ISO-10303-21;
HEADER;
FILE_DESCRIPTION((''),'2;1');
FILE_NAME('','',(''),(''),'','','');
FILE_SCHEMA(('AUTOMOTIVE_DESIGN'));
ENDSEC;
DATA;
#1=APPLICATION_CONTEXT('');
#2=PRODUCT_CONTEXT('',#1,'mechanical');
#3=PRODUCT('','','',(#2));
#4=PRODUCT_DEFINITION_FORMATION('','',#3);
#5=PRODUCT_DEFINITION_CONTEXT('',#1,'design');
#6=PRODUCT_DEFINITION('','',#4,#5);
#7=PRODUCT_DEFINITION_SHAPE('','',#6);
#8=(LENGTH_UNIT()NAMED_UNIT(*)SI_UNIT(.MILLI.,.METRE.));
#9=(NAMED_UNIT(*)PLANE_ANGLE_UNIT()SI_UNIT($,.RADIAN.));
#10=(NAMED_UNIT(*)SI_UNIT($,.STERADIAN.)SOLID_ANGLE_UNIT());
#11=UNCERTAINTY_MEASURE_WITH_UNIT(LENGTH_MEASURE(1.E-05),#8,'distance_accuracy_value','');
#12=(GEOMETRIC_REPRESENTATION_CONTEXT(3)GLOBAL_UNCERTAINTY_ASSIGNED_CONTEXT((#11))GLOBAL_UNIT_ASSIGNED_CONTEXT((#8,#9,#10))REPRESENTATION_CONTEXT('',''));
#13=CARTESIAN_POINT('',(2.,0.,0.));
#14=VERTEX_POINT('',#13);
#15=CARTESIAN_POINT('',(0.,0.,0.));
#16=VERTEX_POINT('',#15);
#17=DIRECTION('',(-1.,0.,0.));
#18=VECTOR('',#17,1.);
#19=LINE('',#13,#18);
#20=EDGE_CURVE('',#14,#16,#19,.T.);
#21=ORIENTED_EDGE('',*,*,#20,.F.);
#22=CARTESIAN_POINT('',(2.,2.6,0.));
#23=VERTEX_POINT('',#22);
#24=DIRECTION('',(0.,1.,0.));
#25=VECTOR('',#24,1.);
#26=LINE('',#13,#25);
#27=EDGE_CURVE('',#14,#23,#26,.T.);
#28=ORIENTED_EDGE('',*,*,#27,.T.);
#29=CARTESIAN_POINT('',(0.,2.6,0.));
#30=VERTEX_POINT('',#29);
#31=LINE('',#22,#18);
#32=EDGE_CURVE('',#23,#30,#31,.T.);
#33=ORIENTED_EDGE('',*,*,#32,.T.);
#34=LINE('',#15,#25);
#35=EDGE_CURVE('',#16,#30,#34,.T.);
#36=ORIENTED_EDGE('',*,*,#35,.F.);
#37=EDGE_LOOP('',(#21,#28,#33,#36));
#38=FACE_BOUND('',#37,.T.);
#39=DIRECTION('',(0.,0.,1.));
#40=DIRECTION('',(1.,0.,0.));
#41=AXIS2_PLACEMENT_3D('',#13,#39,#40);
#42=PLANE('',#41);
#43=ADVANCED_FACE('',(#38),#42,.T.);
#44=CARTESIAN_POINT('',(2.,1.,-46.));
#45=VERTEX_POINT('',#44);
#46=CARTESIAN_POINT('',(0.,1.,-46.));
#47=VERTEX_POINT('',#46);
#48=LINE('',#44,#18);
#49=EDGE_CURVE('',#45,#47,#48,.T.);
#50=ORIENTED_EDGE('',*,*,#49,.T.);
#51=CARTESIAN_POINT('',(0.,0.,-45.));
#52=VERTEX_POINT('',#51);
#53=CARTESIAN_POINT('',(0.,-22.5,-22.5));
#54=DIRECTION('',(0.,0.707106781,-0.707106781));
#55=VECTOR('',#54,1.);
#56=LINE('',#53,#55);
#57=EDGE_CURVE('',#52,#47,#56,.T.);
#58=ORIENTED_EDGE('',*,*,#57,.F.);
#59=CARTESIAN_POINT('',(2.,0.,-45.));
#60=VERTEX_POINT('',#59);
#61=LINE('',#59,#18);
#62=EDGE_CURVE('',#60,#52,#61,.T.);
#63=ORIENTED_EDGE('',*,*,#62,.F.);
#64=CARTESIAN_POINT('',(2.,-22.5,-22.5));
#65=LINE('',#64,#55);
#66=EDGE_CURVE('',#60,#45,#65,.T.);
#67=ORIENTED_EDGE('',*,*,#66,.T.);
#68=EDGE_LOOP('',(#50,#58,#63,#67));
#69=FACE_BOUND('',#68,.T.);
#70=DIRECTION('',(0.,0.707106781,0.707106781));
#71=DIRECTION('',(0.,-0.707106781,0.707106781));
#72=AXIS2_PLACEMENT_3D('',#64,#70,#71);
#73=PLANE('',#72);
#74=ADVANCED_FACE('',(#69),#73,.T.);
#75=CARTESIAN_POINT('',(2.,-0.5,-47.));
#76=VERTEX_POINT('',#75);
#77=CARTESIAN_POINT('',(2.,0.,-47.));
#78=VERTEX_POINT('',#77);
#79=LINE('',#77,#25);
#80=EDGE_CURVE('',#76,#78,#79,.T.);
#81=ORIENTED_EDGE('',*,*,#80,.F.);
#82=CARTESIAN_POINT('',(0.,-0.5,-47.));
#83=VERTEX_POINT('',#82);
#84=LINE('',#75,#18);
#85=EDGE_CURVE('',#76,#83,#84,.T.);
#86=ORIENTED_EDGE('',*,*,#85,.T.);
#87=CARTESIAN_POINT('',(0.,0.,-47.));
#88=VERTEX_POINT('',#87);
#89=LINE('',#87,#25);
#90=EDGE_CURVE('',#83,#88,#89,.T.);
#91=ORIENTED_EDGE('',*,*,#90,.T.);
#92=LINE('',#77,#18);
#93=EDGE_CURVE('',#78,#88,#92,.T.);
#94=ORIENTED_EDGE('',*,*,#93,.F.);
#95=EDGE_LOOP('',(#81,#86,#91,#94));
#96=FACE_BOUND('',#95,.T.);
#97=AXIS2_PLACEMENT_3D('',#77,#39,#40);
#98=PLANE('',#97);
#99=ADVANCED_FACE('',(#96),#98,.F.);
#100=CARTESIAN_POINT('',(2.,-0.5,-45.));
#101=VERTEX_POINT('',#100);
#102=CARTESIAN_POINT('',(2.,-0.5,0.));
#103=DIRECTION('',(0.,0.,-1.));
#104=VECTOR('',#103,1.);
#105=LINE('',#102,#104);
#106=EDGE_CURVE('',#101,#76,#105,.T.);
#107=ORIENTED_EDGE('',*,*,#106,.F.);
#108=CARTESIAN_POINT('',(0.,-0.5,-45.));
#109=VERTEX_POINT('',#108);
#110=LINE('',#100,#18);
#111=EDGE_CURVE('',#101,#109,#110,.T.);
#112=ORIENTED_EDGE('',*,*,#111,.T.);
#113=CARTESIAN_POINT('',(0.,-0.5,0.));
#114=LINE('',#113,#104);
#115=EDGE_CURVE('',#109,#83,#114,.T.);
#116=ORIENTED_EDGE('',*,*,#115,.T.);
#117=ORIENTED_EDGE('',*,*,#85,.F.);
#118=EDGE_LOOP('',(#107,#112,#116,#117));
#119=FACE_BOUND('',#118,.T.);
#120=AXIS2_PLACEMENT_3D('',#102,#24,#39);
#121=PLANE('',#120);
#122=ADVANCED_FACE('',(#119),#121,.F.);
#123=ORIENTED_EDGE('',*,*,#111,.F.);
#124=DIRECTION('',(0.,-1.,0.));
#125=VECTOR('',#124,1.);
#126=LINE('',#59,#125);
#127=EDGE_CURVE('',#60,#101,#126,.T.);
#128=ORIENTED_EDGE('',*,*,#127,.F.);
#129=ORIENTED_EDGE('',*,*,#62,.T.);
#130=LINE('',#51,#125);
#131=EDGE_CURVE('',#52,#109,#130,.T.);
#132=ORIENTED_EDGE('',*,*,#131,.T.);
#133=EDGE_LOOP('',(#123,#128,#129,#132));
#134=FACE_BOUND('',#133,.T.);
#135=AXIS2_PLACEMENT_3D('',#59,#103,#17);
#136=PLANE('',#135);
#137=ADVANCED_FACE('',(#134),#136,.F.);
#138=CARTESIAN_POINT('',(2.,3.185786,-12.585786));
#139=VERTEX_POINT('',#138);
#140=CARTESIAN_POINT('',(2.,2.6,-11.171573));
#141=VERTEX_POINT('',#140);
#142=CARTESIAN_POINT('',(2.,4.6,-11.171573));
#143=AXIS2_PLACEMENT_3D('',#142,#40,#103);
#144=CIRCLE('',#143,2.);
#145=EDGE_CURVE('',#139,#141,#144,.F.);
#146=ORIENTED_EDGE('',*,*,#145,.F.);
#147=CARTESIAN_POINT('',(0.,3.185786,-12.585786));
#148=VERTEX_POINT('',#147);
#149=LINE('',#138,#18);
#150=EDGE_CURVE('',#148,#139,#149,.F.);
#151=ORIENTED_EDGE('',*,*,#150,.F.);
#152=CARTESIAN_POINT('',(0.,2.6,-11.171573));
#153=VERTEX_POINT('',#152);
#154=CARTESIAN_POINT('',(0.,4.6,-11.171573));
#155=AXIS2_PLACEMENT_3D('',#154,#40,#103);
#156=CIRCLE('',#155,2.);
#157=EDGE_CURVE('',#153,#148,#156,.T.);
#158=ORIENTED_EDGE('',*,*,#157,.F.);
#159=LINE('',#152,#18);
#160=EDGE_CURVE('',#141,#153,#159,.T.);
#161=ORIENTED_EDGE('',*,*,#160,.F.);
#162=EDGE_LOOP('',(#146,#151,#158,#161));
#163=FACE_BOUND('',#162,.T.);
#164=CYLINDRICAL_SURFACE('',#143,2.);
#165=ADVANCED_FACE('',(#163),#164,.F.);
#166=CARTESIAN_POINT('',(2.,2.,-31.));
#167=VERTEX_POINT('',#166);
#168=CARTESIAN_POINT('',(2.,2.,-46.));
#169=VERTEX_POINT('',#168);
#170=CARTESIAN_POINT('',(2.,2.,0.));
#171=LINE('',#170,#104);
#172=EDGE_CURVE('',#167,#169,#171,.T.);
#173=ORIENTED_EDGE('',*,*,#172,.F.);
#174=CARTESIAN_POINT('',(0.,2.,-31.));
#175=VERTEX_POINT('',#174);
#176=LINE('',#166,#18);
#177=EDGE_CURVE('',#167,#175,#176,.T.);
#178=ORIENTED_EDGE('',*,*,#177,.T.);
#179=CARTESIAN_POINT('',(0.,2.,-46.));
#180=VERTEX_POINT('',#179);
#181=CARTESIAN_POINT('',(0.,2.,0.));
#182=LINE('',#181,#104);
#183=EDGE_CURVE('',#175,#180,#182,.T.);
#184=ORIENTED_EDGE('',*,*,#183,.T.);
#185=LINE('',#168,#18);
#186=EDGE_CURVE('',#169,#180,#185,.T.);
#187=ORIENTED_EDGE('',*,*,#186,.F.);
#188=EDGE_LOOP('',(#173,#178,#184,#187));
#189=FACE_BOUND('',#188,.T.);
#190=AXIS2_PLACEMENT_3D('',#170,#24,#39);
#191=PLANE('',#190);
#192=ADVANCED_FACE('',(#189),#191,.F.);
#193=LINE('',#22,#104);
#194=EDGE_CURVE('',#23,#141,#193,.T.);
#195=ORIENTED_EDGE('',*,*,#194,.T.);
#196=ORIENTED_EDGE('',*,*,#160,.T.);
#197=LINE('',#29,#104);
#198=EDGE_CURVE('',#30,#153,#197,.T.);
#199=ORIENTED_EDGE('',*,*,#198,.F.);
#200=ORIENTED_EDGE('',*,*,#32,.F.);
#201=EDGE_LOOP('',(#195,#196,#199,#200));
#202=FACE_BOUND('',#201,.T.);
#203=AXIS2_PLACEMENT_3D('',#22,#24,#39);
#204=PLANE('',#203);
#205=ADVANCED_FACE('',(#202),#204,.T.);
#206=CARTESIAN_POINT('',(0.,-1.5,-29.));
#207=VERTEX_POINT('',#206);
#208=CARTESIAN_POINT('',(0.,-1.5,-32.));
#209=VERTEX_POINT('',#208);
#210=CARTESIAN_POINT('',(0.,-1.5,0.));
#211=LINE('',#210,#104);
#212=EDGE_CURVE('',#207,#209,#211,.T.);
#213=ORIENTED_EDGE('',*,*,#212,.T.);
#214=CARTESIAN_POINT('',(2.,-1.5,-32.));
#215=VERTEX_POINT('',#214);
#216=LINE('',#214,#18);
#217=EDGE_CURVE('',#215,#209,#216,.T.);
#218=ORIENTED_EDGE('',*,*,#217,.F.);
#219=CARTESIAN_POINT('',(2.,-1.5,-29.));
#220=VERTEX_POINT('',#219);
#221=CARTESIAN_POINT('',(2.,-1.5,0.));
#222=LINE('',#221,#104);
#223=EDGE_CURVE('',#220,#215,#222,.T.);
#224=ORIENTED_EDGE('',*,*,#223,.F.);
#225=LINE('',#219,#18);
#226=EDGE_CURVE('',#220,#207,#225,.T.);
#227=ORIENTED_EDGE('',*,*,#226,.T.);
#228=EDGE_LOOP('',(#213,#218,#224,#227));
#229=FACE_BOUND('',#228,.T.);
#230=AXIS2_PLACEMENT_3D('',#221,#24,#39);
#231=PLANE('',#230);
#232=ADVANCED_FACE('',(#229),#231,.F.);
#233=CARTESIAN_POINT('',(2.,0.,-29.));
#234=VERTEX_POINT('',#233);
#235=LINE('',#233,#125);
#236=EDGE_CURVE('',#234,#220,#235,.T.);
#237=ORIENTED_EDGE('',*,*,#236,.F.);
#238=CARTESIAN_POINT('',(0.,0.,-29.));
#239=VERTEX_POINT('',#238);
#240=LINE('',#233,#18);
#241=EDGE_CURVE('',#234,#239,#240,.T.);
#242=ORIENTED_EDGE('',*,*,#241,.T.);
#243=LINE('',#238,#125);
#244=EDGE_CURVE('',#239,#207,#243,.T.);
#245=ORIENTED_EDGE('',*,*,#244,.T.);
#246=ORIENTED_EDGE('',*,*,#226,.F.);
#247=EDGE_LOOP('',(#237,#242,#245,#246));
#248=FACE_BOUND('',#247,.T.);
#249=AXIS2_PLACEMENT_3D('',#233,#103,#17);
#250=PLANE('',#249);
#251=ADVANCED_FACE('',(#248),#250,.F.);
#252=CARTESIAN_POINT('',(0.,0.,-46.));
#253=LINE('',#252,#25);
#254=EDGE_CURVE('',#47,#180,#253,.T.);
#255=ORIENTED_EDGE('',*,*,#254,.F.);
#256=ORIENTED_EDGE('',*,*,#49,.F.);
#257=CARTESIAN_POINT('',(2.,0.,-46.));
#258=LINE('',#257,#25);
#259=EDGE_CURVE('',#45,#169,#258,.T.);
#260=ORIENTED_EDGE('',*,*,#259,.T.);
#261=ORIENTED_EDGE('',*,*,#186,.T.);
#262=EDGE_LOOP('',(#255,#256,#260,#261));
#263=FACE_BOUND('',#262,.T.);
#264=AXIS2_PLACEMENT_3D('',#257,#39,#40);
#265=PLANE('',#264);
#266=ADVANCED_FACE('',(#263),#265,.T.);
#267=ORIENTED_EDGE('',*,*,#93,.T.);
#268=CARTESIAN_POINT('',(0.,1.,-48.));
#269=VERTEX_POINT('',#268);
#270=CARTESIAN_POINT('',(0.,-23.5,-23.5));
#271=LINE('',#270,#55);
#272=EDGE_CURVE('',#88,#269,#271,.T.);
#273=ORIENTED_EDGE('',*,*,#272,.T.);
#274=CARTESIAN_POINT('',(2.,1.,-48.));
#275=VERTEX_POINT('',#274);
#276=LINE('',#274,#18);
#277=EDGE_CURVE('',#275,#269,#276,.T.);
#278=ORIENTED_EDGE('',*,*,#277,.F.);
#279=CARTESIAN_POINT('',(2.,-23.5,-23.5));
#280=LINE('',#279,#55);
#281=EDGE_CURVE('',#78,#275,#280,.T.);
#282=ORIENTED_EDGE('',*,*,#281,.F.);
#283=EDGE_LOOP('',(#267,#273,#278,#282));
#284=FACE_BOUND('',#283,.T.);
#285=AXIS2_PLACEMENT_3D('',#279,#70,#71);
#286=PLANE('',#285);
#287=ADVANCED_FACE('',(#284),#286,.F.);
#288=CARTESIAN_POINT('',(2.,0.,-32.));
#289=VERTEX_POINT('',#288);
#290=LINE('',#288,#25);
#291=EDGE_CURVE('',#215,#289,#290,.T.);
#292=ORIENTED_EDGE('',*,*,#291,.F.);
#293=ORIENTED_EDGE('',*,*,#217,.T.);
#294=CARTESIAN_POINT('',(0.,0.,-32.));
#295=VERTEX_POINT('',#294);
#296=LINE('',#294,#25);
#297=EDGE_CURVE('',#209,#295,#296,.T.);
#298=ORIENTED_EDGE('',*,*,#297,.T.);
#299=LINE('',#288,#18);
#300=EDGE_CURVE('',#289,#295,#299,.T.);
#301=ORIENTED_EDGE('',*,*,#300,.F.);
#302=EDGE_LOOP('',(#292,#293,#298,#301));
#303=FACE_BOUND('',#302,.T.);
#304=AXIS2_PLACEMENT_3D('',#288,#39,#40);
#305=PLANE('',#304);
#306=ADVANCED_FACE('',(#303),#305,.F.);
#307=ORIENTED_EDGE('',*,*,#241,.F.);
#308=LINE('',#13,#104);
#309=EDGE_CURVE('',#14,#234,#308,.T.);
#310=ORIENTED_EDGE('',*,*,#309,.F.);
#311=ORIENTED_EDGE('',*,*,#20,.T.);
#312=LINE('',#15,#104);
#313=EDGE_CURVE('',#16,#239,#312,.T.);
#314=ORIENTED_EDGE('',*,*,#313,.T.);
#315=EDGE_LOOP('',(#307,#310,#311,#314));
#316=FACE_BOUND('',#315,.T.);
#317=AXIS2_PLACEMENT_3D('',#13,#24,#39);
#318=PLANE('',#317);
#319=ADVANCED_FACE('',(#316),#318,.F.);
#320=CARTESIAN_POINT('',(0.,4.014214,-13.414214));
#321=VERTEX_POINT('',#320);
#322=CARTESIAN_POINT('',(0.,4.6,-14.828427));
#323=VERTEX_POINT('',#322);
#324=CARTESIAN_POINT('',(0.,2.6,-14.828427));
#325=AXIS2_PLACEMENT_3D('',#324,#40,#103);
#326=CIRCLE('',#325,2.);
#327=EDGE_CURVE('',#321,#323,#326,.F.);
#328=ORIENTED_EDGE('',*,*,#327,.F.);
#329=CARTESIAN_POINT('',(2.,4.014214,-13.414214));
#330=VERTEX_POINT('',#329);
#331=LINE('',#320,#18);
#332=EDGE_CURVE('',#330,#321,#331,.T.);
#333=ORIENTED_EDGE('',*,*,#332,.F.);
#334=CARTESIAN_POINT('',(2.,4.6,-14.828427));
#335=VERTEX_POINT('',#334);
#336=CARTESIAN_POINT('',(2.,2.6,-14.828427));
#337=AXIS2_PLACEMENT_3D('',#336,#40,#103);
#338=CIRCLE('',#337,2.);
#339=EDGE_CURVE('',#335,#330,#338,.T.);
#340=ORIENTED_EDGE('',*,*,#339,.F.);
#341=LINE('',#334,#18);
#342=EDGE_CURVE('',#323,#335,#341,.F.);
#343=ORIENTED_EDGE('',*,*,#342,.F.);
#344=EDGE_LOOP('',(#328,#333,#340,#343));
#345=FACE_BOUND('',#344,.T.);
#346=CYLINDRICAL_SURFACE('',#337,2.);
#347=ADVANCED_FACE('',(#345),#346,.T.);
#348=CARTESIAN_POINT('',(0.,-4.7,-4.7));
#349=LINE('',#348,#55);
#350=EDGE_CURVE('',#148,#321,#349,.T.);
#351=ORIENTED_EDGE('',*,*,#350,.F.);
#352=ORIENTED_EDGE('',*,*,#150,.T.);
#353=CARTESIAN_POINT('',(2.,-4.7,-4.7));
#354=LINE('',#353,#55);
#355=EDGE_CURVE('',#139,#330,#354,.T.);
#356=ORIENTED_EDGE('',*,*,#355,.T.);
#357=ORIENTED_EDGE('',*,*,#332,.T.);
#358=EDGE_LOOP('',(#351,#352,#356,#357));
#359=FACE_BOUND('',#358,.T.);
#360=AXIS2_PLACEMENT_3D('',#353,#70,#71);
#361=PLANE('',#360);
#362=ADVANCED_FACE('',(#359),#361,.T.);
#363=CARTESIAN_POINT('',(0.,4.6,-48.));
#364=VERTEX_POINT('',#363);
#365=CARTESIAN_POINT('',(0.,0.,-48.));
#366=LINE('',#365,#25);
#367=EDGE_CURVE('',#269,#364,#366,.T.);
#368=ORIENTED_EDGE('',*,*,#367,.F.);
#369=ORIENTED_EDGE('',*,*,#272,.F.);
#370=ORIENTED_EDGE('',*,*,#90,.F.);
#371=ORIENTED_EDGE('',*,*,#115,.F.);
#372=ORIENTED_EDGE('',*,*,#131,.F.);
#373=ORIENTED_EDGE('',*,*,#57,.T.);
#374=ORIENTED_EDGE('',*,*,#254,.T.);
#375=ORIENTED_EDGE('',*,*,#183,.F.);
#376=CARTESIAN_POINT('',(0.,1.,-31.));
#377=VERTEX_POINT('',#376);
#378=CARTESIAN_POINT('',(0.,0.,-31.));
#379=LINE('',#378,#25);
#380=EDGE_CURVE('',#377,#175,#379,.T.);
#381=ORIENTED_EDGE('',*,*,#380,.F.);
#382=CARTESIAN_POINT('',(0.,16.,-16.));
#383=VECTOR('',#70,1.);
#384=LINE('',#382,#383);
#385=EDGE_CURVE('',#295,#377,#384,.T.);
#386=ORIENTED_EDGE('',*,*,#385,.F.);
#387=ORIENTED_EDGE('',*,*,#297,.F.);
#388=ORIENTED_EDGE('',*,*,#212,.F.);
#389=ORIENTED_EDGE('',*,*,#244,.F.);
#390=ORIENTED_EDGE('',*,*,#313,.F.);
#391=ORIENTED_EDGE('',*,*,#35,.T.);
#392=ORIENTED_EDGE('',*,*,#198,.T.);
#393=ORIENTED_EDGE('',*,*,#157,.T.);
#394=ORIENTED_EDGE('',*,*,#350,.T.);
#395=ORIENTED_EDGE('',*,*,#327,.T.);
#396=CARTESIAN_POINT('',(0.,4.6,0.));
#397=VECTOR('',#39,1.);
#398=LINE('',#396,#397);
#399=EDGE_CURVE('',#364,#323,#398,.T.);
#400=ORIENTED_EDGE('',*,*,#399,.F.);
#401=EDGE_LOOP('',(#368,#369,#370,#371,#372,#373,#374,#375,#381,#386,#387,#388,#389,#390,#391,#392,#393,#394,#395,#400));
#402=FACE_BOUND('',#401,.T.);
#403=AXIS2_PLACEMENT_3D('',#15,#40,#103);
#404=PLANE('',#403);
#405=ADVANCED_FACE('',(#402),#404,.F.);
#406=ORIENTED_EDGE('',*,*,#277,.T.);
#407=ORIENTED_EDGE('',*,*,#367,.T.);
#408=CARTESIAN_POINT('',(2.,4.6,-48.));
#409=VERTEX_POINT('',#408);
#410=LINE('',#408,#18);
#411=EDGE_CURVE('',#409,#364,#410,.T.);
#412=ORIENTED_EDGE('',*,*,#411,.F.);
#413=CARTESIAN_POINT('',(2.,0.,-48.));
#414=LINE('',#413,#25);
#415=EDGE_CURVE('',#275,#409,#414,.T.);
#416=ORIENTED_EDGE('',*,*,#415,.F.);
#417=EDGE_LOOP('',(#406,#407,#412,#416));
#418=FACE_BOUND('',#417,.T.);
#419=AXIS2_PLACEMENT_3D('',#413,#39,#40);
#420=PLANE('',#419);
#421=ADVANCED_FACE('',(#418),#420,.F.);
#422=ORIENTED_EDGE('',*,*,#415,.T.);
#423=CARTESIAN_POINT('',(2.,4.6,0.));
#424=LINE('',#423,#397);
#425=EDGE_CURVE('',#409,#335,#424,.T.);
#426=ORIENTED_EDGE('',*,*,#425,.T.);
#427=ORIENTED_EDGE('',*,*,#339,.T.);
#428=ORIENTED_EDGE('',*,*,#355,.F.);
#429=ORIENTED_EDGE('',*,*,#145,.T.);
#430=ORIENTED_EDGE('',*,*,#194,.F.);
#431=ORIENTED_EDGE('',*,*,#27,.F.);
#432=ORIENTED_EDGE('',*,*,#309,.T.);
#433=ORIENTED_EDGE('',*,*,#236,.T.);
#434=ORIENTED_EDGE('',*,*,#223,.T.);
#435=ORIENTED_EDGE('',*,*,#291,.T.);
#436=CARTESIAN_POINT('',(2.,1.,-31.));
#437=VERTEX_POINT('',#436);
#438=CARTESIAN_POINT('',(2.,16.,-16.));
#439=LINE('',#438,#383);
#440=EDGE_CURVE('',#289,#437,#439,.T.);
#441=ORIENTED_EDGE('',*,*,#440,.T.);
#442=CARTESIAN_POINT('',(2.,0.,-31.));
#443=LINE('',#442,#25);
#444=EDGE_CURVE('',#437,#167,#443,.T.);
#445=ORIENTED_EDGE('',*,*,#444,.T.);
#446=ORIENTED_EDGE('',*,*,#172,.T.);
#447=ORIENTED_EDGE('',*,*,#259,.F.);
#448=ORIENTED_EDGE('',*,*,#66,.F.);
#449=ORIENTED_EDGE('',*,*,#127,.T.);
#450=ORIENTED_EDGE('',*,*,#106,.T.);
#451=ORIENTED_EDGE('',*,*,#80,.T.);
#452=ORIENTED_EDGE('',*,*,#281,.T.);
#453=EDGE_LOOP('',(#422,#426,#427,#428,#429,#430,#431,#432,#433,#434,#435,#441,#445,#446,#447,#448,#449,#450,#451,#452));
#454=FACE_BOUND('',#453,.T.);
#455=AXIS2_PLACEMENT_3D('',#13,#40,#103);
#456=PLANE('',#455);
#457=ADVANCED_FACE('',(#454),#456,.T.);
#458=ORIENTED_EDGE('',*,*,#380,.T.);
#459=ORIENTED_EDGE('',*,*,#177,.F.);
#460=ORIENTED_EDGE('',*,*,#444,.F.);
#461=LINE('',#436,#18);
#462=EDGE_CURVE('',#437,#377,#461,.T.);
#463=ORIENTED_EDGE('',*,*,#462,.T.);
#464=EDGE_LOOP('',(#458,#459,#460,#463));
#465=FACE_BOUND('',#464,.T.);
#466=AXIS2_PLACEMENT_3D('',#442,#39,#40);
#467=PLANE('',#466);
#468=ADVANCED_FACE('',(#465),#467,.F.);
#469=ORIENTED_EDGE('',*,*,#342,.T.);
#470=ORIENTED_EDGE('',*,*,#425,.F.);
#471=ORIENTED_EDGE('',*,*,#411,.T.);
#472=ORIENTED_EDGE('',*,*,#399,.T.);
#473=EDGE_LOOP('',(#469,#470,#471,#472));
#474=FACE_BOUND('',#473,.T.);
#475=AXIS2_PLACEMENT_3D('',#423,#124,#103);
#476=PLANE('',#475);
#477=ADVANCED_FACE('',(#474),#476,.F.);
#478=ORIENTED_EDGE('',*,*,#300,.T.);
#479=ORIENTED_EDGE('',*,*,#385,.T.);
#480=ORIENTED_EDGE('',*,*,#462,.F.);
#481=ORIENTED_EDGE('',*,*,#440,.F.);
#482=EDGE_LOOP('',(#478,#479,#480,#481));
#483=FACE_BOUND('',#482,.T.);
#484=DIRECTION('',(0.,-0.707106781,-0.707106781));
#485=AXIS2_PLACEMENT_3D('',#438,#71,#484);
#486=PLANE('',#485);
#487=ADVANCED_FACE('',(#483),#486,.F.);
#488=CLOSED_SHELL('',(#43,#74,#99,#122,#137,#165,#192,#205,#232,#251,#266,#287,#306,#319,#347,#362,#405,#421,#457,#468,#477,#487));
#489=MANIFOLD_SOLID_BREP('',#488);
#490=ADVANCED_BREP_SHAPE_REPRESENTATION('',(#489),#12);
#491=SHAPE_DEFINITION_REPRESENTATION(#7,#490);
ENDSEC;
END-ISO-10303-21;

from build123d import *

# Parameters (mm, degrees)
SKETCH_1_W      = 12
SKETCH_1_H      = 2.6
EXTRUDE_1_DEPTH = 2
FILLET_1_R      = 2


with BuildPart() as part:
    # Эскиз1 → Бобышка-Вытянуть1 (new body)
    with BuildSketch(Plane(origin=(0, 0, 0), x_dir=(0, 0, -1), z_dir=(1, 0, 0))):
        Polygon((48, 1), (48, 4.6), (29, 4.6), (14, 4.6), (12, 2.6), (12, 0), (29, 0), (29, -1.5), (32, -1.5), (32, 0), (31, 1), (31, 2), (46, 2), (46, 1), (45, 0), (45, -0.5), (47, -0.5), (47, 0), align=None)
        with Locations((6, 1.3)):
            Rectangle(SKETCH_1_W, SKETCH_1_H)
    extrude(amount=EXTRUDE_1_DEPTH)

    # Скругление1
    fillet_1_edges = [part.edges().sort_by_distance(p)[0] for p in [
        (1, 2.6, -12),
        (1, 4.6, -14),
    ]]
    fillet(fillet_1_edges, radius=FILLET_1_R)


solid = part.part
